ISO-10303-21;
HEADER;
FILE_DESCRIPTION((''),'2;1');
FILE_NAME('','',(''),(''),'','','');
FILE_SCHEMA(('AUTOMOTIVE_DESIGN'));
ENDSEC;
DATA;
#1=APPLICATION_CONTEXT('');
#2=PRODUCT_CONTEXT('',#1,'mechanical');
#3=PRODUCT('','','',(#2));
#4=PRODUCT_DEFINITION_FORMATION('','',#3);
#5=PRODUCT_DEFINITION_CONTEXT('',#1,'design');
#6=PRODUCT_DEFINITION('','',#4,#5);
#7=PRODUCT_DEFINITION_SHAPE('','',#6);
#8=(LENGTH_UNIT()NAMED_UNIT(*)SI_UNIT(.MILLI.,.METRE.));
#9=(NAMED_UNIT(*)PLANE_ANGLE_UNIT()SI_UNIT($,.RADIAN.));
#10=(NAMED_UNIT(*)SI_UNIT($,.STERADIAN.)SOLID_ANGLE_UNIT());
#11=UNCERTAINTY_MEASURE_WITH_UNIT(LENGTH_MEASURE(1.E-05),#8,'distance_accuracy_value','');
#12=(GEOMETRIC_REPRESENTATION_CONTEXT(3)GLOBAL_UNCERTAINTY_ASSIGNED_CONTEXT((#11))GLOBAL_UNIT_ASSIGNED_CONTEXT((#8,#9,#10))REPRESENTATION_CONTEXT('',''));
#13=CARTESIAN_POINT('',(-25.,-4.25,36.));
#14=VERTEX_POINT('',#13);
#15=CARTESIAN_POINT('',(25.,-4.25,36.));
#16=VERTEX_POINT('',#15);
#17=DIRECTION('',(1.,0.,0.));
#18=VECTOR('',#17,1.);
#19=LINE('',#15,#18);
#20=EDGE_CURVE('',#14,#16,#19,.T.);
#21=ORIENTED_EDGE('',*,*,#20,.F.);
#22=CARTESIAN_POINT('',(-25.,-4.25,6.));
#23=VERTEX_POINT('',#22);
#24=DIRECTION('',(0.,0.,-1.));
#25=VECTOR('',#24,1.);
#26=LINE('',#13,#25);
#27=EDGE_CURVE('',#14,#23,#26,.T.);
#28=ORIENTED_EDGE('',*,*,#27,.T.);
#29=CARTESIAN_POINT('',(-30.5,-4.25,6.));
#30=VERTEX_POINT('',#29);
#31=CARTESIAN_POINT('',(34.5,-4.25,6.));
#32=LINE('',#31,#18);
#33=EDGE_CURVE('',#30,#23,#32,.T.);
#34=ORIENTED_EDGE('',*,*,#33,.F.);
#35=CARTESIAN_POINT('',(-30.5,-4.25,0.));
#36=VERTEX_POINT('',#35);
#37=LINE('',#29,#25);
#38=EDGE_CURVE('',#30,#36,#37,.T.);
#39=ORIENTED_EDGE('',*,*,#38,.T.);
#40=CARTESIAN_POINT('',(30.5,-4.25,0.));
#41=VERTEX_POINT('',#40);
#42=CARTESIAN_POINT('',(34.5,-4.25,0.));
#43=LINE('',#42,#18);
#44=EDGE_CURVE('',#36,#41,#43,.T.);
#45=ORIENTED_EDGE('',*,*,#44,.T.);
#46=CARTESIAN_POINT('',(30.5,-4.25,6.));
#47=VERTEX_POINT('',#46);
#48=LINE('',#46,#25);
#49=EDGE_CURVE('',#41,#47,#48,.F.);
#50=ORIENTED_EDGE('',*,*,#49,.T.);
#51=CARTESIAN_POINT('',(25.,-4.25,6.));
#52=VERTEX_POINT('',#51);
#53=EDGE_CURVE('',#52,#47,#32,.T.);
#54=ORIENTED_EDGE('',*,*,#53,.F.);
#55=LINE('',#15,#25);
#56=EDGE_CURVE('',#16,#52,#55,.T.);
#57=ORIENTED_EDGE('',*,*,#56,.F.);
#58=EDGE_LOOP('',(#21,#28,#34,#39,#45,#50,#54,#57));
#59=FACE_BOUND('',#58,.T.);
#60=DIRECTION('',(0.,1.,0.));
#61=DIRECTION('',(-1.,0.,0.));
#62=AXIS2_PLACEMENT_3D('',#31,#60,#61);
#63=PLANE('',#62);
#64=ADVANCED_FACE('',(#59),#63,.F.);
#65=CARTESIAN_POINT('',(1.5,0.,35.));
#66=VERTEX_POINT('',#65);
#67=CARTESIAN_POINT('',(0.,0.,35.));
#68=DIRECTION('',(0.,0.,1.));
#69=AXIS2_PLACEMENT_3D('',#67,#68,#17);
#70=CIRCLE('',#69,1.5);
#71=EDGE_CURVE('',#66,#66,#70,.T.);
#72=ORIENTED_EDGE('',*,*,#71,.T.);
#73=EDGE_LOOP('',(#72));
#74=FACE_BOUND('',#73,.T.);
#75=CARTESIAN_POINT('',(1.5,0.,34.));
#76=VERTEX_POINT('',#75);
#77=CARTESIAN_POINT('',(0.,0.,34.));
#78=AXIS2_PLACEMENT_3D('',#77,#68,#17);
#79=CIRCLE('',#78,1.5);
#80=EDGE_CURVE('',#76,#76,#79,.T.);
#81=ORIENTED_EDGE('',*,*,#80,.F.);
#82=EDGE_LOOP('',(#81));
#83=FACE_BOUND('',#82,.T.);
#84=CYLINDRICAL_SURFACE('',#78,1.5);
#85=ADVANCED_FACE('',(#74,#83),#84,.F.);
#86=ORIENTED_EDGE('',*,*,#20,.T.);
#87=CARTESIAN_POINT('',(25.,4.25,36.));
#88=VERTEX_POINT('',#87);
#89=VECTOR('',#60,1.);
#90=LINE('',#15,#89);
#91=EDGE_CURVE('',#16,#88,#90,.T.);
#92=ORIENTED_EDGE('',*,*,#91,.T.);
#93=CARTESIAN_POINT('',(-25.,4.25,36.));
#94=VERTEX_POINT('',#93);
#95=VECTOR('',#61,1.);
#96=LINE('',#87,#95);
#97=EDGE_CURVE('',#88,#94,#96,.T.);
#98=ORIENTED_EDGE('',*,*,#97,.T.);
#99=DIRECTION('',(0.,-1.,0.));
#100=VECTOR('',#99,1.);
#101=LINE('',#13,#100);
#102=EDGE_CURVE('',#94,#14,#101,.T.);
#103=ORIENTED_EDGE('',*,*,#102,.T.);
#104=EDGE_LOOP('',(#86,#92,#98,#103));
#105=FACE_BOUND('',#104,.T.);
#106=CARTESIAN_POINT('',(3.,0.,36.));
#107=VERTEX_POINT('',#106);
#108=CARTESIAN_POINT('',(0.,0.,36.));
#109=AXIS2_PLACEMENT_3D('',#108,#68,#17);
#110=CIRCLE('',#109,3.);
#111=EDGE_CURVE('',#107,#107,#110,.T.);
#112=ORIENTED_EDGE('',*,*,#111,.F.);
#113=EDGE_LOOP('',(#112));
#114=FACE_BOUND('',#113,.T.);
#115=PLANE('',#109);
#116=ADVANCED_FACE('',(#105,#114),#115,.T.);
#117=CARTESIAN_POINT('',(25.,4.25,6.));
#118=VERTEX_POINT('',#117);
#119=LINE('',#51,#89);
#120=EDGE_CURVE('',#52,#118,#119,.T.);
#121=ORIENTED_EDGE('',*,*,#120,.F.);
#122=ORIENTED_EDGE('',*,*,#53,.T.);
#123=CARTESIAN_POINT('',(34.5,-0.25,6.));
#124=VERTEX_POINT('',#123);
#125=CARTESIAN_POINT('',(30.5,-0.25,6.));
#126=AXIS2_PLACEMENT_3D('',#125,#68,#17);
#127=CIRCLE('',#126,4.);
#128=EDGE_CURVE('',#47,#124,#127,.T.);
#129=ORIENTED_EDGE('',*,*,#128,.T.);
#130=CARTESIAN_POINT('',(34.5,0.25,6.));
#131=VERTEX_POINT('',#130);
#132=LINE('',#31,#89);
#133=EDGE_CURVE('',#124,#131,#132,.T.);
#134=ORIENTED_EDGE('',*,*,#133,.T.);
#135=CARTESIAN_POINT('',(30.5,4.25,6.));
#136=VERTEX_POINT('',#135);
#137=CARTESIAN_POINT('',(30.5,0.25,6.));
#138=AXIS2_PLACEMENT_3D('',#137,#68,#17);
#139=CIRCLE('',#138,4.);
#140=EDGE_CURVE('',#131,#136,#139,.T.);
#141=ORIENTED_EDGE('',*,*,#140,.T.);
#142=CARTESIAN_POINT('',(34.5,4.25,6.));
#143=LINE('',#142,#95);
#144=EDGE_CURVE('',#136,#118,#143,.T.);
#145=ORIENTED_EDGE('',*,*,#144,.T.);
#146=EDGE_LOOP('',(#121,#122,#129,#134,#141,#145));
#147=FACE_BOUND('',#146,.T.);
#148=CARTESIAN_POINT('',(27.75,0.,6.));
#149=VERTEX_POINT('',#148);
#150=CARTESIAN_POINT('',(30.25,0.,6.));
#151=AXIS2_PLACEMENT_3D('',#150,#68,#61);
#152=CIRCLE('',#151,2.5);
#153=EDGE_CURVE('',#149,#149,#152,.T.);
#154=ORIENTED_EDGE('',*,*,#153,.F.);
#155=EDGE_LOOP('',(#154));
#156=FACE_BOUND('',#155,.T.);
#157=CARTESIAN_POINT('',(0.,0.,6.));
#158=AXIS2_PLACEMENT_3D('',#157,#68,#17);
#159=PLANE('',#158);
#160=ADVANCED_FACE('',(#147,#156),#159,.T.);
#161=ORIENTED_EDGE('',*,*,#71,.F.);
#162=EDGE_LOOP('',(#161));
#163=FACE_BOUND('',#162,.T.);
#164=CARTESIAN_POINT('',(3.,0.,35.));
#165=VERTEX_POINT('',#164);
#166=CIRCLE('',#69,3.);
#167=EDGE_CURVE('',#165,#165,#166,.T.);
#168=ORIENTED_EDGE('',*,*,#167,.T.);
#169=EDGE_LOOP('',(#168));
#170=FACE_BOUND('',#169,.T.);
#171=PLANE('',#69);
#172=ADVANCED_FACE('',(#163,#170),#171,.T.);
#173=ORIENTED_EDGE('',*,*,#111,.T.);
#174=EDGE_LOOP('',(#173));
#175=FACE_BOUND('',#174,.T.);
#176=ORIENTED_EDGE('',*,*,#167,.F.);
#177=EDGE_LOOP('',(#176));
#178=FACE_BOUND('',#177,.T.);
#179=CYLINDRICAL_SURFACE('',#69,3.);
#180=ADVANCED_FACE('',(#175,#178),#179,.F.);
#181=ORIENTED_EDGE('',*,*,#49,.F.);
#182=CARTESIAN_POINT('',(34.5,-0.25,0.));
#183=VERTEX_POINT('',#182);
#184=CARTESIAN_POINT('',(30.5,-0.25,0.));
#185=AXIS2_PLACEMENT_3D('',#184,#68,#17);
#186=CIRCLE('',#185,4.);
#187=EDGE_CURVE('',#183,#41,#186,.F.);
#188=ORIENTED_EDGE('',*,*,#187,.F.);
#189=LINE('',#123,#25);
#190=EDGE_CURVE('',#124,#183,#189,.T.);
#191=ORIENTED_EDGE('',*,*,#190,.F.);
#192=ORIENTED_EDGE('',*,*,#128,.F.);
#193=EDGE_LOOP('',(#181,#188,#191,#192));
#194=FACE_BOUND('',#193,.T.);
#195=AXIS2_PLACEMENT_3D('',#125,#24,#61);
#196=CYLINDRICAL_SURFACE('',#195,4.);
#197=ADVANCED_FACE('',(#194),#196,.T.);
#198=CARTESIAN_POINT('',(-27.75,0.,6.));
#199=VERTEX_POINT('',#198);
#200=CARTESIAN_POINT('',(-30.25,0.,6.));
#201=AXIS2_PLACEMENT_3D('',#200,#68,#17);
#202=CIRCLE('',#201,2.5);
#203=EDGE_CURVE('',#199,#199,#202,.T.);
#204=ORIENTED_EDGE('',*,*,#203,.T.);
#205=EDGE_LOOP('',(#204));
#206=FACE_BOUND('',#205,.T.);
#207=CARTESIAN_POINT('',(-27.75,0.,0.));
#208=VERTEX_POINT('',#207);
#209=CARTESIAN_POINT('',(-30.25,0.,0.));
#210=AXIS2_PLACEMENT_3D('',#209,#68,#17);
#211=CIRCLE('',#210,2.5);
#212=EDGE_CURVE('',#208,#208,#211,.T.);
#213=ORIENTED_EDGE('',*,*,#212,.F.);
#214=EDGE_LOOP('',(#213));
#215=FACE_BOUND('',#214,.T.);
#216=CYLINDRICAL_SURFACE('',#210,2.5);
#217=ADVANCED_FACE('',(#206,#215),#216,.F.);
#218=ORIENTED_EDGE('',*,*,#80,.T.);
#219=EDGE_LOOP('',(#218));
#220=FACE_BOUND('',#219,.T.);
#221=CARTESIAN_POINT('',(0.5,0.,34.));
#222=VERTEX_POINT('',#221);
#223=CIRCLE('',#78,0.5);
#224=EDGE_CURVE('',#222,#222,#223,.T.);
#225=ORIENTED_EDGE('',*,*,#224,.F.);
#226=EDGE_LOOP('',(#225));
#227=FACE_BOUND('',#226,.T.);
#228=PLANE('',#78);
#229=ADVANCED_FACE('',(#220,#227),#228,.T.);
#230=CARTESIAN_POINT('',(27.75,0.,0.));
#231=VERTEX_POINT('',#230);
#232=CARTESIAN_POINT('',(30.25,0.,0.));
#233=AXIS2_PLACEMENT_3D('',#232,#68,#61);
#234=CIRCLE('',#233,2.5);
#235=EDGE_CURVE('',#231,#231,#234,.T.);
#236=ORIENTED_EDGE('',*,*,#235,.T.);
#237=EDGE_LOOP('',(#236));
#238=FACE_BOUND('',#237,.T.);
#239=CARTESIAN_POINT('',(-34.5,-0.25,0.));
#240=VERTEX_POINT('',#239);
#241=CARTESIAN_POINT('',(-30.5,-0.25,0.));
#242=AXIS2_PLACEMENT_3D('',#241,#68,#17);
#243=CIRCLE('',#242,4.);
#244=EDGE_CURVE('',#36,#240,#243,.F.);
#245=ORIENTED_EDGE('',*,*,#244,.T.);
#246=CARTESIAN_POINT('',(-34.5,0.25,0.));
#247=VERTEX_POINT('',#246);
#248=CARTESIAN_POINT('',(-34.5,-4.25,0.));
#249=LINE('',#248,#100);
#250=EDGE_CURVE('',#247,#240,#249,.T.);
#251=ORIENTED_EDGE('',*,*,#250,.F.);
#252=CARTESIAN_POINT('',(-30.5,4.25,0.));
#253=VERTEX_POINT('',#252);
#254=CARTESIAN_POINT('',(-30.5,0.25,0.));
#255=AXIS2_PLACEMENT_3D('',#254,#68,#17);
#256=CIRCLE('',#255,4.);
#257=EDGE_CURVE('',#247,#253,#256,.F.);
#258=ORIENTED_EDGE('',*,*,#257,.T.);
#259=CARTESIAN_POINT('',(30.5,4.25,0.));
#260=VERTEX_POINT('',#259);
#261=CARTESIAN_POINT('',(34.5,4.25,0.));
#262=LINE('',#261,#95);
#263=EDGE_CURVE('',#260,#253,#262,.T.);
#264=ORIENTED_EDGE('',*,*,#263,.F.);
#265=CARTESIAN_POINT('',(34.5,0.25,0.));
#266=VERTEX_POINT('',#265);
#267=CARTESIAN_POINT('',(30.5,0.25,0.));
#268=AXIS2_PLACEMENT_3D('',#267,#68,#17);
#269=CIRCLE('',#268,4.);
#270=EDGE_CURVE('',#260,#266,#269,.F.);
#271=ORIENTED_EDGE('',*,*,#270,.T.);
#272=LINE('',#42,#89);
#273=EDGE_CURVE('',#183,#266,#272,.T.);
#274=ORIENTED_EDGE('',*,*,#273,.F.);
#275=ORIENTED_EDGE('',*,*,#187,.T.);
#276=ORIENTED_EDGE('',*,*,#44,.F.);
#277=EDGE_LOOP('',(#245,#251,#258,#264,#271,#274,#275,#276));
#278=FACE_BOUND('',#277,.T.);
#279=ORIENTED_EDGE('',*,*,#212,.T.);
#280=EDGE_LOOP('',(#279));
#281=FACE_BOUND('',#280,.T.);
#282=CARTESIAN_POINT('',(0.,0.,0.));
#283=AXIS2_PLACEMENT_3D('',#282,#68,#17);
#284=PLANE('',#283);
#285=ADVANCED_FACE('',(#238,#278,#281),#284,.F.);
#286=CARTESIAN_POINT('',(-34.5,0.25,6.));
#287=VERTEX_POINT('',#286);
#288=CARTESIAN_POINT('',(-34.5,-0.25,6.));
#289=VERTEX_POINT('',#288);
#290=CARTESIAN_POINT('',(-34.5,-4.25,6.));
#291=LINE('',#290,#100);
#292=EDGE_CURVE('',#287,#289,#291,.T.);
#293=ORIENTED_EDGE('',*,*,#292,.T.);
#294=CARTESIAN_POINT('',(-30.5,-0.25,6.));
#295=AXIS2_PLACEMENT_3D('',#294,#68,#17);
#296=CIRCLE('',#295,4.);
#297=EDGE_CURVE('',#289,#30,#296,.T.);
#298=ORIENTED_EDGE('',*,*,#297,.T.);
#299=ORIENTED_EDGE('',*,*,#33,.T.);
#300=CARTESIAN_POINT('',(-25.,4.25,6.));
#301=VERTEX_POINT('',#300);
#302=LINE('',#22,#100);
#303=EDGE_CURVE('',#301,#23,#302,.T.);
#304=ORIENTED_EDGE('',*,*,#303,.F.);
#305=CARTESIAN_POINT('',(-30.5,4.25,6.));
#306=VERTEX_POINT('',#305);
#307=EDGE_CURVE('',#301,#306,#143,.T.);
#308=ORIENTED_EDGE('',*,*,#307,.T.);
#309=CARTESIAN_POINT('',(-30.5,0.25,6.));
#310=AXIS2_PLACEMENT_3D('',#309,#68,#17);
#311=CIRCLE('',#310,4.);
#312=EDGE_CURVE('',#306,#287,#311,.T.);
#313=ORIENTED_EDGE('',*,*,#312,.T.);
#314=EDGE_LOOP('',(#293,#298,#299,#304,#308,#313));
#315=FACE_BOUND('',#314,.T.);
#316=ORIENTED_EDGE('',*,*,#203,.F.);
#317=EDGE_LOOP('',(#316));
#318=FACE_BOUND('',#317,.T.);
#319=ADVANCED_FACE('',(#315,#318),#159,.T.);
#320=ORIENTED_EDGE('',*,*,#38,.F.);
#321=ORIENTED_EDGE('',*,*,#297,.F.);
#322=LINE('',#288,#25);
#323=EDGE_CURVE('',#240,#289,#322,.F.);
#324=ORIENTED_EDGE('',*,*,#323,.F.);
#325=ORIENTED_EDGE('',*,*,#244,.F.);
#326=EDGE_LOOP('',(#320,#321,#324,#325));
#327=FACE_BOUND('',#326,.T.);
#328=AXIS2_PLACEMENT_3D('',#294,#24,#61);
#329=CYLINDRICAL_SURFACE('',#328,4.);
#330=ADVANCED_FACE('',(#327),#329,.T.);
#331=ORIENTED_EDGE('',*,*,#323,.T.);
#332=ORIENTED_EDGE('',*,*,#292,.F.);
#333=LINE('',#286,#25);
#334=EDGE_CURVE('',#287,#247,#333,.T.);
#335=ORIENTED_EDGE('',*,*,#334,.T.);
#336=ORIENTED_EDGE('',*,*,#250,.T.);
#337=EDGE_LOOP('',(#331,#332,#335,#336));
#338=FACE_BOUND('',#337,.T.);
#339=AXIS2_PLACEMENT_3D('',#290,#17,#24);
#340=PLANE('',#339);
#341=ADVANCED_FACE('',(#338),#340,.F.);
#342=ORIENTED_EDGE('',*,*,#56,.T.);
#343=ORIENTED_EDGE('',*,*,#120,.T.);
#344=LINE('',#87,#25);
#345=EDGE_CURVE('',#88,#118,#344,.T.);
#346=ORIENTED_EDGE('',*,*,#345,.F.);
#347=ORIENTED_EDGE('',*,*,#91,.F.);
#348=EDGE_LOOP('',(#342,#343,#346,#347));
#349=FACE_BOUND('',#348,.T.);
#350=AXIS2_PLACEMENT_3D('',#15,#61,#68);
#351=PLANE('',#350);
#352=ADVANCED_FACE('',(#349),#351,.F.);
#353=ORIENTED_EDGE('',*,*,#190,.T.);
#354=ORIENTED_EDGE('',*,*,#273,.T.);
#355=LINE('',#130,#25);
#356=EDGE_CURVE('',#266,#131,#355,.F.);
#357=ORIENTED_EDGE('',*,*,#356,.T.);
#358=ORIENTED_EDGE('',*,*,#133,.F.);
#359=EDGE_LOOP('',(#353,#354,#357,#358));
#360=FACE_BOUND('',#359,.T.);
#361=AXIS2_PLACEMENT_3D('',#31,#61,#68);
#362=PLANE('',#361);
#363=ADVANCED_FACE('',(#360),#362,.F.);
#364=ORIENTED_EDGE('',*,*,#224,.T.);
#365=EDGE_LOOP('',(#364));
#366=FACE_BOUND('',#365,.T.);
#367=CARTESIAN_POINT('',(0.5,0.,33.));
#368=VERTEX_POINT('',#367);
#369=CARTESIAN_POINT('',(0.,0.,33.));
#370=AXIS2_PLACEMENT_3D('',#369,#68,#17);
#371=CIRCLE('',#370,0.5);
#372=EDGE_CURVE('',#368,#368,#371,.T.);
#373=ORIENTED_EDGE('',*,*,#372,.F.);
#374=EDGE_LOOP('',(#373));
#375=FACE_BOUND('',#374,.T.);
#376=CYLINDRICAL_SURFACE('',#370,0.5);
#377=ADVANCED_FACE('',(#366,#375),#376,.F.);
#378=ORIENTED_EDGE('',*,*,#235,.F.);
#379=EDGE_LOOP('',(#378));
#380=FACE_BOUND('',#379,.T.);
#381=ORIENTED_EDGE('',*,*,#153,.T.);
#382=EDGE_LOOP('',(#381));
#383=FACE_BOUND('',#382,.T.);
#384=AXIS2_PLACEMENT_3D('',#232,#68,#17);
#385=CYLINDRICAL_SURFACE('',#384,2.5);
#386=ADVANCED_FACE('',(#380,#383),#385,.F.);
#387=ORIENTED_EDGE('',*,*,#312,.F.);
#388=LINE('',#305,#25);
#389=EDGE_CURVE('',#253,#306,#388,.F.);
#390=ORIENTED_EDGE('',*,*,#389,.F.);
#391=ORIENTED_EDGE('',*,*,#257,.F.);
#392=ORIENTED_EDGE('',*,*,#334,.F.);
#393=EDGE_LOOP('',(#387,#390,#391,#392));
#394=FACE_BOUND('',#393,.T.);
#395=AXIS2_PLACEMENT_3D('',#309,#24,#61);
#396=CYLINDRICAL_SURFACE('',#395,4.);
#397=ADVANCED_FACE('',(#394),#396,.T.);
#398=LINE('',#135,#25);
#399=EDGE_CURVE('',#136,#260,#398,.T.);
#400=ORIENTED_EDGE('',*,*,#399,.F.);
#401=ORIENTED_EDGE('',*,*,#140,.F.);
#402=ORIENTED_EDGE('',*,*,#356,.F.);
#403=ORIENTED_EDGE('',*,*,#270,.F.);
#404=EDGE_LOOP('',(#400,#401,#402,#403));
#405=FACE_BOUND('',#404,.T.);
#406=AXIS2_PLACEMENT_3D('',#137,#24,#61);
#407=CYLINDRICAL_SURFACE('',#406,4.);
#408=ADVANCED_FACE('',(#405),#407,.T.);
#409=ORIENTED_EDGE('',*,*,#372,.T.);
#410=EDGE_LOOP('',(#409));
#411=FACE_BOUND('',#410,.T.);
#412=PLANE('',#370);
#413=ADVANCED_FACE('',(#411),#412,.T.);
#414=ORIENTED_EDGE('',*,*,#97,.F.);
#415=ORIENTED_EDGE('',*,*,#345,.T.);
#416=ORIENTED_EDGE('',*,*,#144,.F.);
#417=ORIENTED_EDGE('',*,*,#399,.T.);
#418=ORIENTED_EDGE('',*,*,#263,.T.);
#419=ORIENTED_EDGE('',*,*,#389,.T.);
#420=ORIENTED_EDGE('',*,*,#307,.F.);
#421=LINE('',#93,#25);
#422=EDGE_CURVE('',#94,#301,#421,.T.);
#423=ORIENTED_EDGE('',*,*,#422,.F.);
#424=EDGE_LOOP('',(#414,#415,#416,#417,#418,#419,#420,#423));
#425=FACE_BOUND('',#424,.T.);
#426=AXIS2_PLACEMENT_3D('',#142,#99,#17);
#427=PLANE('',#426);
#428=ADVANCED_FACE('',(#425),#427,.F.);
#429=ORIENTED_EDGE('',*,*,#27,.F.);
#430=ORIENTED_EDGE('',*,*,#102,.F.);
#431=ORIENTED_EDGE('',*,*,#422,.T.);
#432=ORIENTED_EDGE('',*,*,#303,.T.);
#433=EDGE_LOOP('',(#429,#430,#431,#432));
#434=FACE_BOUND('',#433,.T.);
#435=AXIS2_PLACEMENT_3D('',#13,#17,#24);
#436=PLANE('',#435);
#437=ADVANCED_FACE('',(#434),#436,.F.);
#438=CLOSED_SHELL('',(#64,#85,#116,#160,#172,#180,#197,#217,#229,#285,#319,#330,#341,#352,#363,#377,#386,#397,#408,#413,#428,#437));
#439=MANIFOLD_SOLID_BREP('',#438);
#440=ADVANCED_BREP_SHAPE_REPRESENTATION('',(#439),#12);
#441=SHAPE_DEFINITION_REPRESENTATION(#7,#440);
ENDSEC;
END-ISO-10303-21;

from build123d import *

# Parameters (mm, degrees)
ESBO_O1_W                = 69
ESBO_O1_H                = 8.5
RESSALTO_EXTRUS_O1_DEPTH = 6
ESBO_O2_W                = 50
ESBO_O2_H                = 8.5
RESSALTO_EXTRUS_O2_DEPTH = 30
ESBO_O3_R                = 2.5
CORTE_EXTRUS_O1_DEPTH    = 7
FILETE1_R                = 4
ESBO_O4_R                = 3
CORTE_EXTRUS_O2_DEPTH    = 1
ESBO_O5_R                = 1.5
CORTE_EXTRUS_O3_DEPTH    = 1
ESBO_O6_R                = 0.5
CORTE_EXTRUS_O4_DEPTH    = 1


with BuildPart() as part:
    # Esboço1 → Ressalto-extrusão1 (new body)
    with BuildSketch(Plane.XY):
        Rectangle(ESBO_O1_W, ESBO_O1_H)
    extrude(amount=RESSALTO_EXTRUS_O1_DEPTH)

    # Esboço2 → Ressalto-extrusão2 (add)
    with BuildSketch(Plane.XY.offset(6)):
        Rectangle(ESBO_O2_W, ESBO_O2_H)
    extrude(amount=RESSALTO_EXTRUS_O2_DEPTH)

    # Esboço3 → Corte-extrusão1 (cut, through all)
    with BuildSketch(Plane.XY.offset(6)):
        with Locations((-30.25, 0)):
            Circle(ESBO_O3_R)
        with Locations((30.25, 0)):
            Circle(ESBO_O3_R)
    extrude(amount=-CORTE_EXTRUS_O1_DEPTH, mode=Mode.SUBTRACT)

    # Filete1
    filete1_edges = [part.edges().sort_by_distance(p)[0] for p in [
        (-34.5, 4.25, 3),
        (34.5, 4.25, 3),
        (34.5, -4.25, 3),
        (-34.5, -4.25, 3),
    ]]
    fillet(filete1_edges, radius=FILETE1_R)

    # Esboço4 → Corte-extrusão2 (cut)
    with BuildSketch(Plane.XY.offset(36)):
        Circle(ESBO_O4_R)
    extrude(amount=-CORTE_EXTRUS_O2_DEPTH, mode=Mode.SUBTRACT)

    # Esboço5 → Corte-extrusão3 (cut)
    with BuildSketch(Plane.XY.offset(35)):
        Circle(ESBO_O5_R)
    extrude(amount=-CORTE_EXTRUS_O3_DEPTH, mode=Mode.SUBTRACT)

    # Esboço6 → Corte-extrusão4 (cut)
    with BuildSketch(Plane.XY.offset(34)):
        Circle(ESBO_O6_R)
    extrude(amount=-CORTE_EXTRUS_O4_DEPTH, mode=Mode.SUBTRACT)


solid = part.part
